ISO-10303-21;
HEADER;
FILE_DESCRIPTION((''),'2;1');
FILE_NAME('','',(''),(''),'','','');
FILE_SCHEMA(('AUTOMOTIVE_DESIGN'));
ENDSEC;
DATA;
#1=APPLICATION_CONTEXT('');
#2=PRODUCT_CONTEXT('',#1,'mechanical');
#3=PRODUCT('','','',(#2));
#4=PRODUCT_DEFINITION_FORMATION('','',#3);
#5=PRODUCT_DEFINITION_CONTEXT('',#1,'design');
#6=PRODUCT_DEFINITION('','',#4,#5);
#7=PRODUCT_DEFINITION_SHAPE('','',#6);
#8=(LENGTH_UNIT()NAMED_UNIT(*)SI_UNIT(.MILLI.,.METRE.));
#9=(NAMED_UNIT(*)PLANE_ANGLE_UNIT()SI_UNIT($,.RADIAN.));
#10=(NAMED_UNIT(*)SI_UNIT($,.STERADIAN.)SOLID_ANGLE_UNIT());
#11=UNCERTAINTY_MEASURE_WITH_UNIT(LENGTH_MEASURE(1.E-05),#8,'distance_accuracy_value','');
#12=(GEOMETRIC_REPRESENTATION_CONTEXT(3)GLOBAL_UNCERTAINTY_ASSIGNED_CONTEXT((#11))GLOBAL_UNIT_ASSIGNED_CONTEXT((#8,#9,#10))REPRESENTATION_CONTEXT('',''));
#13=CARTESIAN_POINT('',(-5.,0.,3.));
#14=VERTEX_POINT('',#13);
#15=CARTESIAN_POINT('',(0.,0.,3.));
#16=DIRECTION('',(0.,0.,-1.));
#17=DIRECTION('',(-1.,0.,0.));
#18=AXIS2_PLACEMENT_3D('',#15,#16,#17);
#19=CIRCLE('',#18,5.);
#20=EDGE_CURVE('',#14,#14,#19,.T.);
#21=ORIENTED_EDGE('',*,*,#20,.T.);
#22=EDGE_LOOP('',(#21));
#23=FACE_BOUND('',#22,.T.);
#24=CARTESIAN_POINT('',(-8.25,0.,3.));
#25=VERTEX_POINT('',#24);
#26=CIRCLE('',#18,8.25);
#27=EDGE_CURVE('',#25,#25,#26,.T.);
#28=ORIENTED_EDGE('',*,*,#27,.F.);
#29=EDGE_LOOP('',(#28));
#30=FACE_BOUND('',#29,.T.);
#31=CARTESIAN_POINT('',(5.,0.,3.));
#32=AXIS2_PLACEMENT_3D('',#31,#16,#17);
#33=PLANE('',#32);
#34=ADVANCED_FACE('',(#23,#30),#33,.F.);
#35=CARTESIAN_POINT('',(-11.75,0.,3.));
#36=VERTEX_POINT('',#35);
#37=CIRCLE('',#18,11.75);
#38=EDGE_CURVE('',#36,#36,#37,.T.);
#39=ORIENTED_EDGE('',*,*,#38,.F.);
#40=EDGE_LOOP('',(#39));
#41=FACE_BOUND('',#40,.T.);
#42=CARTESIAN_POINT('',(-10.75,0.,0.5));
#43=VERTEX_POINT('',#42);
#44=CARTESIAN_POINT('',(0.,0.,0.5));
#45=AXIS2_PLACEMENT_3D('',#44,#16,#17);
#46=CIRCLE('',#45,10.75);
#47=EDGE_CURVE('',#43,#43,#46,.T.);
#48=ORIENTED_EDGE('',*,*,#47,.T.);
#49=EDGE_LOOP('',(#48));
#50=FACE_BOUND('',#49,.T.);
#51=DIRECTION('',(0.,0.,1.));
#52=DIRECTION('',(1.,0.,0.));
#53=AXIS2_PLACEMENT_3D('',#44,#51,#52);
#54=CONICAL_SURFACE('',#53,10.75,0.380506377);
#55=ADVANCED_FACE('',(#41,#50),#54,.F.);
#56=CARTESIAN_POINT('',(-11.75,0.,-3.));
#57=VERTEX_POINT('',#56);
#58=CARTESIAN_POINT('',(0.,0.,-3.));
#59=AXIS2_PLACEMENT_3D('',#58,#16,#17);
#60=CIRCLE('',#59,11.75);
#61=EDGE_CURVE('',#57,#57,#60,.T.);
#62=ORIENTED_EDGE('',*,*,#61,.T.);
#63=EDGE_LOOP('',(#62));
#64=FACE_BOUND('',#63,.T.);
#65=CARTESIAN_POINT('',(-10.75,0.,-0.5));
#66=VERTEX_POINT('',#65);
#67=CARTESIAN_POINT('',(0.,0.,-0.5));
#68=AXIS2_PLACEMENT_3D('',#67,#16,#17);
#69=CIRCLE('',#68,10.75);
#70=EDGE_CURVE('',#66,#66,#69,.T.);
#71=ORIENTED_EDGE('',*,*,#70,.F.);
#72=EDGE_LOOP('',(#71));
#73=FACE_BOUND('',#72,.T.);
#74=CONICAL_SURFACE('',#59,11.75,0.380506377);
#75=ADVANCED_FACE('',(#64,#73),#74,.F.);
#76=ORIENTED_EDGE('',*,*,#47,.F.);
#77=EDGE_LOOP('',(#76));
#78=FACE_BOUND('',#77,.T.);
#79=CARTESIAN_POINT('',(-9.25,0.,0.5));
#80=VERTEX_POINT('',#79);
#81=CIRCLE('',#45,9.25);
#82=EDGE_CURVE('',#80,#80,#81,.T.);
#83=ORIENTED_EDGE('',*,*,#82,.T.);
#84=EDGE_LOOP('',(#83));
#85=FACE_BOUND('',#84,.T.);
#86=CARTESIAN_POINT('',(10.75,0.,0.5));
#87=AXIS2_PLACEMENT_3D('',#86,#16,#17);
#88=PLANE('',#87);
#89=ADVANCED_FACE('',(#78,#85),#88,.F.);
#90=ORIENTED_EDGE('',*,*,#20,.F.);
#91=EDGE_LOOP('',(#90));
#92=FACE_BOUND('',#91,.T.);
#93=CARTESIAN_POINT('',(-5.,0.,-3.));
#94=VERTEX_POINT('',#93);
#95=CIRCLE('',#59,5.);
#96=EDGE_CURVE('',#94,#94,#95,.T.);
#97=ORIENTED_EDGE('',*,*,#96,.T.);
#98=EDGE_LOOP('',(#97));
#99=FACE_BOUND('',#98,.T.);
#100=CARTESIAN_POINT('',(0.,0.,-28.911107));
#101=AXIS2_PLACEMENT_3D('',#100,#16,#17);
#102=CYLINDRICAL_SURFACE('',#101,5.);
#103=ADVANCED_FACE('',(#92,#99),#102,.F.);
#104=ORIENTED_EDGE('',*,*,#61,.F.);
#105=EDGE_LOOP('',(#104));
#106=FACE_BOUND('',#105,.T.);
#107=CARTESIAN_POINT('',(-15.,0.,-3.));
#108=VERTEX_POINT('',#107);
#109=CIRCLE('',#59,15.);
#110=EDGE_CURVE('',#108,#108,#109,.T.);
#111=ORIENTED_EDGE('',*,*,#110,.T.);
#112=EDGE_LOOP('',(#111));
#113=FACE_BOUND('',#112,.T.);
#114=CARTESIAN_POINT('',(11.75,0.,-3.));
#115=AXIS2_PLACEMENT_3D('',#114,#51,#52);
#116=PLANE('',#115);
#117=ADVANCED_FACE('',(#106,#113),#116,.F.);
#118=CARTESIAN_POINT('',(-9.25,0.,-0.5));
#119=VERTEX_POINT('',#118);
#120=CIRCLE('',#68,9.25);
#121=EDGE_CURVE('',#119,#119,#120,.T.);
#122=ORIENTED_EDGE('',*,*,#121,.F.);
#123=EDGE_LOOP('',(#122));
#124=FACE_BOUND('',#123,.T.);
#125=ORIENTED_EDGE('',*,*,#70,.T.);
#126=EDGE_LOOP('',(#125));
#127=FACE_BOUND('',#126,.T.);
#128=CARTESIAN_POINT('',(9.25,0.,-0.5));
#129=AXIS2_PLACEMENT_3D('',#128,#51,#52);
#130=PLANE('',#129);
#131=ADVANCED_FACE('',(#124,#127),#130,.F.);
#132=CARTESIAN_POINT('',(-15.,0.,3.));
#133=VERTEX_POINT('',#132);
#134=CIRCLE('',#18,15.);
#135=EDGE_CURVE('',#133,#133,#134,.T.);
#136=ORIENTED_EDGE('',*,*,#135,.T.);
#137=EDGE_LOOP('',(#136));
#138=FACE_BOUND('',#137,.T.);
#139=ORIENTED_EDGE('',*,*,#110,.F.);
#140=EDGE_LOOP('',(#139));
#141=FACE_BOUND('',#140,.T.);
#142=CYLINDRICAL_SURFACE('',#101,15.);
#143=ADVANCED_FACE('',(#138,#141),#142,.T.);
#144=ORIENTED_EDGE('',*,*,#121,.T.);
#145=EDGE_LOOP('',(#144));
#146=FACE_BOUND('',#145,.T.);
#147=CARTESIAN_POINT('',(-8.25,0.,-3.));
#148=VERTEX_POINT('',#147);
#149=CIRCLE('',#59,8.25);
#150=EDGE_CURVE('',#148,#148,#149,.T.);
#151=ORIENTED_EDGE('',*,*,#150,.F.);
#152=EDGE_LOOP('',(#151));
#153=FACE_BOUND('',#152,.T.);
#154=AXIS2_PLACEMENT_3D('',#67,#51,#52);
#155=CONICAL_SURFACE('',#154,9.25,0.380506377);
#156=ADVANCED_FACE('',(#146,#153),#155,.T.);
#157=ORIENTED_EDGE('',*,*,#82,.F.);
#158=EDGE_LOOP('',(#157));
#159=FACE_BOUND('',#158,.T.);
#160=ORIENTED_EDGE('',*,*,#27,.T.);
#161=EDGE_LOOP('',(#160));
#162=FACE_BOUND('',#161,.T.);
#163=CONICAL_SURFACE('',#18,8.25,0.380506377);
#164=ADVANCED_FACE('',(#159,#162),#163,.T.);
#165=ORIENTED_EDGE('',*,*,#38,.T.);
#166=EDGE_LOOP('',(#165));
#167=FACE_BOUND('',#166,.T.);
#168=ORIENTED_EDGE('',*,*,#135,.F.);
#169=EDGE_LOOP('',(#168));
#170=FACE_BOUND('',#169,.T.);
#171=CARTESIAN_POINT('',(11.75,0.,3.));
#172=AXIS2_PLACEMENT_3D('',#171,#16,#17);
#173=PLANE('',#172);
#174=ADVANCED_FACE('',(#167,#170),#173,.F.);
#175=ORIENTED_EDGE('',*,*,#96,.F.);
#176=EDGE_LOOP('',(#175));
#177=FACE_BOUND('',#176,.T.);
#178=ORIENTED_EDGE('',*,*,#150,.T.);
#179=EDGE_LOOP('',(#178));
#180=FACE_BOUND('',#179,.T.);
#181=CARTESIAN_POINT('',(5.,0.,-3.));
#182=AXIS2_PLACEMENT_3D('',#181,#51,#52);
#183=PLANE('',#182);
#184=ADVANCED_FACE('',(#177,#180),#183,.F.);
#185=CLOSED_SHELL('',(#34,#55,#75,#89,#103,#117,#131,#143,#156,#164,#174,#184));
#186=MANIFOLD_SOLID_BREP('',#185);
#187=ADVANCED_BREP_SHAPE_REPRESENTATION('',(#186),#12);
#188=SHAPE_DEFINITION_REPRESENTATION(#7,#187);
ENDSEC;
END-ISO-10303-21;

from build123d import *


with BuildPart() as part:
    # Sketch1 → Revolve1 (revolve)
    with BuildSketch(Plane(origin=(0, 0, 0), x_dir=(1, 0, 0), z_dir=(0, 1, 0)), mode=Mode.PRIVATE) as revolve1_sk:
        Polygon((8.25, 3), (9.25, 0.5), (10.75, 0.5), (11.75, 3), (15, 3), (15, -3), (11.75, -3), (10.75, -0.5), (9.25, -0.5), (8.25, -3), (5, -3), (5, 3), align=None)
    revolve(revolve1_sk.sketch.rotate(Axis((0, 0, -28.911106653), (0, 0, 1)), 180), axis=Axis((0, 0, -28.911106653), (0, 0, 1)))


solid = part.part
